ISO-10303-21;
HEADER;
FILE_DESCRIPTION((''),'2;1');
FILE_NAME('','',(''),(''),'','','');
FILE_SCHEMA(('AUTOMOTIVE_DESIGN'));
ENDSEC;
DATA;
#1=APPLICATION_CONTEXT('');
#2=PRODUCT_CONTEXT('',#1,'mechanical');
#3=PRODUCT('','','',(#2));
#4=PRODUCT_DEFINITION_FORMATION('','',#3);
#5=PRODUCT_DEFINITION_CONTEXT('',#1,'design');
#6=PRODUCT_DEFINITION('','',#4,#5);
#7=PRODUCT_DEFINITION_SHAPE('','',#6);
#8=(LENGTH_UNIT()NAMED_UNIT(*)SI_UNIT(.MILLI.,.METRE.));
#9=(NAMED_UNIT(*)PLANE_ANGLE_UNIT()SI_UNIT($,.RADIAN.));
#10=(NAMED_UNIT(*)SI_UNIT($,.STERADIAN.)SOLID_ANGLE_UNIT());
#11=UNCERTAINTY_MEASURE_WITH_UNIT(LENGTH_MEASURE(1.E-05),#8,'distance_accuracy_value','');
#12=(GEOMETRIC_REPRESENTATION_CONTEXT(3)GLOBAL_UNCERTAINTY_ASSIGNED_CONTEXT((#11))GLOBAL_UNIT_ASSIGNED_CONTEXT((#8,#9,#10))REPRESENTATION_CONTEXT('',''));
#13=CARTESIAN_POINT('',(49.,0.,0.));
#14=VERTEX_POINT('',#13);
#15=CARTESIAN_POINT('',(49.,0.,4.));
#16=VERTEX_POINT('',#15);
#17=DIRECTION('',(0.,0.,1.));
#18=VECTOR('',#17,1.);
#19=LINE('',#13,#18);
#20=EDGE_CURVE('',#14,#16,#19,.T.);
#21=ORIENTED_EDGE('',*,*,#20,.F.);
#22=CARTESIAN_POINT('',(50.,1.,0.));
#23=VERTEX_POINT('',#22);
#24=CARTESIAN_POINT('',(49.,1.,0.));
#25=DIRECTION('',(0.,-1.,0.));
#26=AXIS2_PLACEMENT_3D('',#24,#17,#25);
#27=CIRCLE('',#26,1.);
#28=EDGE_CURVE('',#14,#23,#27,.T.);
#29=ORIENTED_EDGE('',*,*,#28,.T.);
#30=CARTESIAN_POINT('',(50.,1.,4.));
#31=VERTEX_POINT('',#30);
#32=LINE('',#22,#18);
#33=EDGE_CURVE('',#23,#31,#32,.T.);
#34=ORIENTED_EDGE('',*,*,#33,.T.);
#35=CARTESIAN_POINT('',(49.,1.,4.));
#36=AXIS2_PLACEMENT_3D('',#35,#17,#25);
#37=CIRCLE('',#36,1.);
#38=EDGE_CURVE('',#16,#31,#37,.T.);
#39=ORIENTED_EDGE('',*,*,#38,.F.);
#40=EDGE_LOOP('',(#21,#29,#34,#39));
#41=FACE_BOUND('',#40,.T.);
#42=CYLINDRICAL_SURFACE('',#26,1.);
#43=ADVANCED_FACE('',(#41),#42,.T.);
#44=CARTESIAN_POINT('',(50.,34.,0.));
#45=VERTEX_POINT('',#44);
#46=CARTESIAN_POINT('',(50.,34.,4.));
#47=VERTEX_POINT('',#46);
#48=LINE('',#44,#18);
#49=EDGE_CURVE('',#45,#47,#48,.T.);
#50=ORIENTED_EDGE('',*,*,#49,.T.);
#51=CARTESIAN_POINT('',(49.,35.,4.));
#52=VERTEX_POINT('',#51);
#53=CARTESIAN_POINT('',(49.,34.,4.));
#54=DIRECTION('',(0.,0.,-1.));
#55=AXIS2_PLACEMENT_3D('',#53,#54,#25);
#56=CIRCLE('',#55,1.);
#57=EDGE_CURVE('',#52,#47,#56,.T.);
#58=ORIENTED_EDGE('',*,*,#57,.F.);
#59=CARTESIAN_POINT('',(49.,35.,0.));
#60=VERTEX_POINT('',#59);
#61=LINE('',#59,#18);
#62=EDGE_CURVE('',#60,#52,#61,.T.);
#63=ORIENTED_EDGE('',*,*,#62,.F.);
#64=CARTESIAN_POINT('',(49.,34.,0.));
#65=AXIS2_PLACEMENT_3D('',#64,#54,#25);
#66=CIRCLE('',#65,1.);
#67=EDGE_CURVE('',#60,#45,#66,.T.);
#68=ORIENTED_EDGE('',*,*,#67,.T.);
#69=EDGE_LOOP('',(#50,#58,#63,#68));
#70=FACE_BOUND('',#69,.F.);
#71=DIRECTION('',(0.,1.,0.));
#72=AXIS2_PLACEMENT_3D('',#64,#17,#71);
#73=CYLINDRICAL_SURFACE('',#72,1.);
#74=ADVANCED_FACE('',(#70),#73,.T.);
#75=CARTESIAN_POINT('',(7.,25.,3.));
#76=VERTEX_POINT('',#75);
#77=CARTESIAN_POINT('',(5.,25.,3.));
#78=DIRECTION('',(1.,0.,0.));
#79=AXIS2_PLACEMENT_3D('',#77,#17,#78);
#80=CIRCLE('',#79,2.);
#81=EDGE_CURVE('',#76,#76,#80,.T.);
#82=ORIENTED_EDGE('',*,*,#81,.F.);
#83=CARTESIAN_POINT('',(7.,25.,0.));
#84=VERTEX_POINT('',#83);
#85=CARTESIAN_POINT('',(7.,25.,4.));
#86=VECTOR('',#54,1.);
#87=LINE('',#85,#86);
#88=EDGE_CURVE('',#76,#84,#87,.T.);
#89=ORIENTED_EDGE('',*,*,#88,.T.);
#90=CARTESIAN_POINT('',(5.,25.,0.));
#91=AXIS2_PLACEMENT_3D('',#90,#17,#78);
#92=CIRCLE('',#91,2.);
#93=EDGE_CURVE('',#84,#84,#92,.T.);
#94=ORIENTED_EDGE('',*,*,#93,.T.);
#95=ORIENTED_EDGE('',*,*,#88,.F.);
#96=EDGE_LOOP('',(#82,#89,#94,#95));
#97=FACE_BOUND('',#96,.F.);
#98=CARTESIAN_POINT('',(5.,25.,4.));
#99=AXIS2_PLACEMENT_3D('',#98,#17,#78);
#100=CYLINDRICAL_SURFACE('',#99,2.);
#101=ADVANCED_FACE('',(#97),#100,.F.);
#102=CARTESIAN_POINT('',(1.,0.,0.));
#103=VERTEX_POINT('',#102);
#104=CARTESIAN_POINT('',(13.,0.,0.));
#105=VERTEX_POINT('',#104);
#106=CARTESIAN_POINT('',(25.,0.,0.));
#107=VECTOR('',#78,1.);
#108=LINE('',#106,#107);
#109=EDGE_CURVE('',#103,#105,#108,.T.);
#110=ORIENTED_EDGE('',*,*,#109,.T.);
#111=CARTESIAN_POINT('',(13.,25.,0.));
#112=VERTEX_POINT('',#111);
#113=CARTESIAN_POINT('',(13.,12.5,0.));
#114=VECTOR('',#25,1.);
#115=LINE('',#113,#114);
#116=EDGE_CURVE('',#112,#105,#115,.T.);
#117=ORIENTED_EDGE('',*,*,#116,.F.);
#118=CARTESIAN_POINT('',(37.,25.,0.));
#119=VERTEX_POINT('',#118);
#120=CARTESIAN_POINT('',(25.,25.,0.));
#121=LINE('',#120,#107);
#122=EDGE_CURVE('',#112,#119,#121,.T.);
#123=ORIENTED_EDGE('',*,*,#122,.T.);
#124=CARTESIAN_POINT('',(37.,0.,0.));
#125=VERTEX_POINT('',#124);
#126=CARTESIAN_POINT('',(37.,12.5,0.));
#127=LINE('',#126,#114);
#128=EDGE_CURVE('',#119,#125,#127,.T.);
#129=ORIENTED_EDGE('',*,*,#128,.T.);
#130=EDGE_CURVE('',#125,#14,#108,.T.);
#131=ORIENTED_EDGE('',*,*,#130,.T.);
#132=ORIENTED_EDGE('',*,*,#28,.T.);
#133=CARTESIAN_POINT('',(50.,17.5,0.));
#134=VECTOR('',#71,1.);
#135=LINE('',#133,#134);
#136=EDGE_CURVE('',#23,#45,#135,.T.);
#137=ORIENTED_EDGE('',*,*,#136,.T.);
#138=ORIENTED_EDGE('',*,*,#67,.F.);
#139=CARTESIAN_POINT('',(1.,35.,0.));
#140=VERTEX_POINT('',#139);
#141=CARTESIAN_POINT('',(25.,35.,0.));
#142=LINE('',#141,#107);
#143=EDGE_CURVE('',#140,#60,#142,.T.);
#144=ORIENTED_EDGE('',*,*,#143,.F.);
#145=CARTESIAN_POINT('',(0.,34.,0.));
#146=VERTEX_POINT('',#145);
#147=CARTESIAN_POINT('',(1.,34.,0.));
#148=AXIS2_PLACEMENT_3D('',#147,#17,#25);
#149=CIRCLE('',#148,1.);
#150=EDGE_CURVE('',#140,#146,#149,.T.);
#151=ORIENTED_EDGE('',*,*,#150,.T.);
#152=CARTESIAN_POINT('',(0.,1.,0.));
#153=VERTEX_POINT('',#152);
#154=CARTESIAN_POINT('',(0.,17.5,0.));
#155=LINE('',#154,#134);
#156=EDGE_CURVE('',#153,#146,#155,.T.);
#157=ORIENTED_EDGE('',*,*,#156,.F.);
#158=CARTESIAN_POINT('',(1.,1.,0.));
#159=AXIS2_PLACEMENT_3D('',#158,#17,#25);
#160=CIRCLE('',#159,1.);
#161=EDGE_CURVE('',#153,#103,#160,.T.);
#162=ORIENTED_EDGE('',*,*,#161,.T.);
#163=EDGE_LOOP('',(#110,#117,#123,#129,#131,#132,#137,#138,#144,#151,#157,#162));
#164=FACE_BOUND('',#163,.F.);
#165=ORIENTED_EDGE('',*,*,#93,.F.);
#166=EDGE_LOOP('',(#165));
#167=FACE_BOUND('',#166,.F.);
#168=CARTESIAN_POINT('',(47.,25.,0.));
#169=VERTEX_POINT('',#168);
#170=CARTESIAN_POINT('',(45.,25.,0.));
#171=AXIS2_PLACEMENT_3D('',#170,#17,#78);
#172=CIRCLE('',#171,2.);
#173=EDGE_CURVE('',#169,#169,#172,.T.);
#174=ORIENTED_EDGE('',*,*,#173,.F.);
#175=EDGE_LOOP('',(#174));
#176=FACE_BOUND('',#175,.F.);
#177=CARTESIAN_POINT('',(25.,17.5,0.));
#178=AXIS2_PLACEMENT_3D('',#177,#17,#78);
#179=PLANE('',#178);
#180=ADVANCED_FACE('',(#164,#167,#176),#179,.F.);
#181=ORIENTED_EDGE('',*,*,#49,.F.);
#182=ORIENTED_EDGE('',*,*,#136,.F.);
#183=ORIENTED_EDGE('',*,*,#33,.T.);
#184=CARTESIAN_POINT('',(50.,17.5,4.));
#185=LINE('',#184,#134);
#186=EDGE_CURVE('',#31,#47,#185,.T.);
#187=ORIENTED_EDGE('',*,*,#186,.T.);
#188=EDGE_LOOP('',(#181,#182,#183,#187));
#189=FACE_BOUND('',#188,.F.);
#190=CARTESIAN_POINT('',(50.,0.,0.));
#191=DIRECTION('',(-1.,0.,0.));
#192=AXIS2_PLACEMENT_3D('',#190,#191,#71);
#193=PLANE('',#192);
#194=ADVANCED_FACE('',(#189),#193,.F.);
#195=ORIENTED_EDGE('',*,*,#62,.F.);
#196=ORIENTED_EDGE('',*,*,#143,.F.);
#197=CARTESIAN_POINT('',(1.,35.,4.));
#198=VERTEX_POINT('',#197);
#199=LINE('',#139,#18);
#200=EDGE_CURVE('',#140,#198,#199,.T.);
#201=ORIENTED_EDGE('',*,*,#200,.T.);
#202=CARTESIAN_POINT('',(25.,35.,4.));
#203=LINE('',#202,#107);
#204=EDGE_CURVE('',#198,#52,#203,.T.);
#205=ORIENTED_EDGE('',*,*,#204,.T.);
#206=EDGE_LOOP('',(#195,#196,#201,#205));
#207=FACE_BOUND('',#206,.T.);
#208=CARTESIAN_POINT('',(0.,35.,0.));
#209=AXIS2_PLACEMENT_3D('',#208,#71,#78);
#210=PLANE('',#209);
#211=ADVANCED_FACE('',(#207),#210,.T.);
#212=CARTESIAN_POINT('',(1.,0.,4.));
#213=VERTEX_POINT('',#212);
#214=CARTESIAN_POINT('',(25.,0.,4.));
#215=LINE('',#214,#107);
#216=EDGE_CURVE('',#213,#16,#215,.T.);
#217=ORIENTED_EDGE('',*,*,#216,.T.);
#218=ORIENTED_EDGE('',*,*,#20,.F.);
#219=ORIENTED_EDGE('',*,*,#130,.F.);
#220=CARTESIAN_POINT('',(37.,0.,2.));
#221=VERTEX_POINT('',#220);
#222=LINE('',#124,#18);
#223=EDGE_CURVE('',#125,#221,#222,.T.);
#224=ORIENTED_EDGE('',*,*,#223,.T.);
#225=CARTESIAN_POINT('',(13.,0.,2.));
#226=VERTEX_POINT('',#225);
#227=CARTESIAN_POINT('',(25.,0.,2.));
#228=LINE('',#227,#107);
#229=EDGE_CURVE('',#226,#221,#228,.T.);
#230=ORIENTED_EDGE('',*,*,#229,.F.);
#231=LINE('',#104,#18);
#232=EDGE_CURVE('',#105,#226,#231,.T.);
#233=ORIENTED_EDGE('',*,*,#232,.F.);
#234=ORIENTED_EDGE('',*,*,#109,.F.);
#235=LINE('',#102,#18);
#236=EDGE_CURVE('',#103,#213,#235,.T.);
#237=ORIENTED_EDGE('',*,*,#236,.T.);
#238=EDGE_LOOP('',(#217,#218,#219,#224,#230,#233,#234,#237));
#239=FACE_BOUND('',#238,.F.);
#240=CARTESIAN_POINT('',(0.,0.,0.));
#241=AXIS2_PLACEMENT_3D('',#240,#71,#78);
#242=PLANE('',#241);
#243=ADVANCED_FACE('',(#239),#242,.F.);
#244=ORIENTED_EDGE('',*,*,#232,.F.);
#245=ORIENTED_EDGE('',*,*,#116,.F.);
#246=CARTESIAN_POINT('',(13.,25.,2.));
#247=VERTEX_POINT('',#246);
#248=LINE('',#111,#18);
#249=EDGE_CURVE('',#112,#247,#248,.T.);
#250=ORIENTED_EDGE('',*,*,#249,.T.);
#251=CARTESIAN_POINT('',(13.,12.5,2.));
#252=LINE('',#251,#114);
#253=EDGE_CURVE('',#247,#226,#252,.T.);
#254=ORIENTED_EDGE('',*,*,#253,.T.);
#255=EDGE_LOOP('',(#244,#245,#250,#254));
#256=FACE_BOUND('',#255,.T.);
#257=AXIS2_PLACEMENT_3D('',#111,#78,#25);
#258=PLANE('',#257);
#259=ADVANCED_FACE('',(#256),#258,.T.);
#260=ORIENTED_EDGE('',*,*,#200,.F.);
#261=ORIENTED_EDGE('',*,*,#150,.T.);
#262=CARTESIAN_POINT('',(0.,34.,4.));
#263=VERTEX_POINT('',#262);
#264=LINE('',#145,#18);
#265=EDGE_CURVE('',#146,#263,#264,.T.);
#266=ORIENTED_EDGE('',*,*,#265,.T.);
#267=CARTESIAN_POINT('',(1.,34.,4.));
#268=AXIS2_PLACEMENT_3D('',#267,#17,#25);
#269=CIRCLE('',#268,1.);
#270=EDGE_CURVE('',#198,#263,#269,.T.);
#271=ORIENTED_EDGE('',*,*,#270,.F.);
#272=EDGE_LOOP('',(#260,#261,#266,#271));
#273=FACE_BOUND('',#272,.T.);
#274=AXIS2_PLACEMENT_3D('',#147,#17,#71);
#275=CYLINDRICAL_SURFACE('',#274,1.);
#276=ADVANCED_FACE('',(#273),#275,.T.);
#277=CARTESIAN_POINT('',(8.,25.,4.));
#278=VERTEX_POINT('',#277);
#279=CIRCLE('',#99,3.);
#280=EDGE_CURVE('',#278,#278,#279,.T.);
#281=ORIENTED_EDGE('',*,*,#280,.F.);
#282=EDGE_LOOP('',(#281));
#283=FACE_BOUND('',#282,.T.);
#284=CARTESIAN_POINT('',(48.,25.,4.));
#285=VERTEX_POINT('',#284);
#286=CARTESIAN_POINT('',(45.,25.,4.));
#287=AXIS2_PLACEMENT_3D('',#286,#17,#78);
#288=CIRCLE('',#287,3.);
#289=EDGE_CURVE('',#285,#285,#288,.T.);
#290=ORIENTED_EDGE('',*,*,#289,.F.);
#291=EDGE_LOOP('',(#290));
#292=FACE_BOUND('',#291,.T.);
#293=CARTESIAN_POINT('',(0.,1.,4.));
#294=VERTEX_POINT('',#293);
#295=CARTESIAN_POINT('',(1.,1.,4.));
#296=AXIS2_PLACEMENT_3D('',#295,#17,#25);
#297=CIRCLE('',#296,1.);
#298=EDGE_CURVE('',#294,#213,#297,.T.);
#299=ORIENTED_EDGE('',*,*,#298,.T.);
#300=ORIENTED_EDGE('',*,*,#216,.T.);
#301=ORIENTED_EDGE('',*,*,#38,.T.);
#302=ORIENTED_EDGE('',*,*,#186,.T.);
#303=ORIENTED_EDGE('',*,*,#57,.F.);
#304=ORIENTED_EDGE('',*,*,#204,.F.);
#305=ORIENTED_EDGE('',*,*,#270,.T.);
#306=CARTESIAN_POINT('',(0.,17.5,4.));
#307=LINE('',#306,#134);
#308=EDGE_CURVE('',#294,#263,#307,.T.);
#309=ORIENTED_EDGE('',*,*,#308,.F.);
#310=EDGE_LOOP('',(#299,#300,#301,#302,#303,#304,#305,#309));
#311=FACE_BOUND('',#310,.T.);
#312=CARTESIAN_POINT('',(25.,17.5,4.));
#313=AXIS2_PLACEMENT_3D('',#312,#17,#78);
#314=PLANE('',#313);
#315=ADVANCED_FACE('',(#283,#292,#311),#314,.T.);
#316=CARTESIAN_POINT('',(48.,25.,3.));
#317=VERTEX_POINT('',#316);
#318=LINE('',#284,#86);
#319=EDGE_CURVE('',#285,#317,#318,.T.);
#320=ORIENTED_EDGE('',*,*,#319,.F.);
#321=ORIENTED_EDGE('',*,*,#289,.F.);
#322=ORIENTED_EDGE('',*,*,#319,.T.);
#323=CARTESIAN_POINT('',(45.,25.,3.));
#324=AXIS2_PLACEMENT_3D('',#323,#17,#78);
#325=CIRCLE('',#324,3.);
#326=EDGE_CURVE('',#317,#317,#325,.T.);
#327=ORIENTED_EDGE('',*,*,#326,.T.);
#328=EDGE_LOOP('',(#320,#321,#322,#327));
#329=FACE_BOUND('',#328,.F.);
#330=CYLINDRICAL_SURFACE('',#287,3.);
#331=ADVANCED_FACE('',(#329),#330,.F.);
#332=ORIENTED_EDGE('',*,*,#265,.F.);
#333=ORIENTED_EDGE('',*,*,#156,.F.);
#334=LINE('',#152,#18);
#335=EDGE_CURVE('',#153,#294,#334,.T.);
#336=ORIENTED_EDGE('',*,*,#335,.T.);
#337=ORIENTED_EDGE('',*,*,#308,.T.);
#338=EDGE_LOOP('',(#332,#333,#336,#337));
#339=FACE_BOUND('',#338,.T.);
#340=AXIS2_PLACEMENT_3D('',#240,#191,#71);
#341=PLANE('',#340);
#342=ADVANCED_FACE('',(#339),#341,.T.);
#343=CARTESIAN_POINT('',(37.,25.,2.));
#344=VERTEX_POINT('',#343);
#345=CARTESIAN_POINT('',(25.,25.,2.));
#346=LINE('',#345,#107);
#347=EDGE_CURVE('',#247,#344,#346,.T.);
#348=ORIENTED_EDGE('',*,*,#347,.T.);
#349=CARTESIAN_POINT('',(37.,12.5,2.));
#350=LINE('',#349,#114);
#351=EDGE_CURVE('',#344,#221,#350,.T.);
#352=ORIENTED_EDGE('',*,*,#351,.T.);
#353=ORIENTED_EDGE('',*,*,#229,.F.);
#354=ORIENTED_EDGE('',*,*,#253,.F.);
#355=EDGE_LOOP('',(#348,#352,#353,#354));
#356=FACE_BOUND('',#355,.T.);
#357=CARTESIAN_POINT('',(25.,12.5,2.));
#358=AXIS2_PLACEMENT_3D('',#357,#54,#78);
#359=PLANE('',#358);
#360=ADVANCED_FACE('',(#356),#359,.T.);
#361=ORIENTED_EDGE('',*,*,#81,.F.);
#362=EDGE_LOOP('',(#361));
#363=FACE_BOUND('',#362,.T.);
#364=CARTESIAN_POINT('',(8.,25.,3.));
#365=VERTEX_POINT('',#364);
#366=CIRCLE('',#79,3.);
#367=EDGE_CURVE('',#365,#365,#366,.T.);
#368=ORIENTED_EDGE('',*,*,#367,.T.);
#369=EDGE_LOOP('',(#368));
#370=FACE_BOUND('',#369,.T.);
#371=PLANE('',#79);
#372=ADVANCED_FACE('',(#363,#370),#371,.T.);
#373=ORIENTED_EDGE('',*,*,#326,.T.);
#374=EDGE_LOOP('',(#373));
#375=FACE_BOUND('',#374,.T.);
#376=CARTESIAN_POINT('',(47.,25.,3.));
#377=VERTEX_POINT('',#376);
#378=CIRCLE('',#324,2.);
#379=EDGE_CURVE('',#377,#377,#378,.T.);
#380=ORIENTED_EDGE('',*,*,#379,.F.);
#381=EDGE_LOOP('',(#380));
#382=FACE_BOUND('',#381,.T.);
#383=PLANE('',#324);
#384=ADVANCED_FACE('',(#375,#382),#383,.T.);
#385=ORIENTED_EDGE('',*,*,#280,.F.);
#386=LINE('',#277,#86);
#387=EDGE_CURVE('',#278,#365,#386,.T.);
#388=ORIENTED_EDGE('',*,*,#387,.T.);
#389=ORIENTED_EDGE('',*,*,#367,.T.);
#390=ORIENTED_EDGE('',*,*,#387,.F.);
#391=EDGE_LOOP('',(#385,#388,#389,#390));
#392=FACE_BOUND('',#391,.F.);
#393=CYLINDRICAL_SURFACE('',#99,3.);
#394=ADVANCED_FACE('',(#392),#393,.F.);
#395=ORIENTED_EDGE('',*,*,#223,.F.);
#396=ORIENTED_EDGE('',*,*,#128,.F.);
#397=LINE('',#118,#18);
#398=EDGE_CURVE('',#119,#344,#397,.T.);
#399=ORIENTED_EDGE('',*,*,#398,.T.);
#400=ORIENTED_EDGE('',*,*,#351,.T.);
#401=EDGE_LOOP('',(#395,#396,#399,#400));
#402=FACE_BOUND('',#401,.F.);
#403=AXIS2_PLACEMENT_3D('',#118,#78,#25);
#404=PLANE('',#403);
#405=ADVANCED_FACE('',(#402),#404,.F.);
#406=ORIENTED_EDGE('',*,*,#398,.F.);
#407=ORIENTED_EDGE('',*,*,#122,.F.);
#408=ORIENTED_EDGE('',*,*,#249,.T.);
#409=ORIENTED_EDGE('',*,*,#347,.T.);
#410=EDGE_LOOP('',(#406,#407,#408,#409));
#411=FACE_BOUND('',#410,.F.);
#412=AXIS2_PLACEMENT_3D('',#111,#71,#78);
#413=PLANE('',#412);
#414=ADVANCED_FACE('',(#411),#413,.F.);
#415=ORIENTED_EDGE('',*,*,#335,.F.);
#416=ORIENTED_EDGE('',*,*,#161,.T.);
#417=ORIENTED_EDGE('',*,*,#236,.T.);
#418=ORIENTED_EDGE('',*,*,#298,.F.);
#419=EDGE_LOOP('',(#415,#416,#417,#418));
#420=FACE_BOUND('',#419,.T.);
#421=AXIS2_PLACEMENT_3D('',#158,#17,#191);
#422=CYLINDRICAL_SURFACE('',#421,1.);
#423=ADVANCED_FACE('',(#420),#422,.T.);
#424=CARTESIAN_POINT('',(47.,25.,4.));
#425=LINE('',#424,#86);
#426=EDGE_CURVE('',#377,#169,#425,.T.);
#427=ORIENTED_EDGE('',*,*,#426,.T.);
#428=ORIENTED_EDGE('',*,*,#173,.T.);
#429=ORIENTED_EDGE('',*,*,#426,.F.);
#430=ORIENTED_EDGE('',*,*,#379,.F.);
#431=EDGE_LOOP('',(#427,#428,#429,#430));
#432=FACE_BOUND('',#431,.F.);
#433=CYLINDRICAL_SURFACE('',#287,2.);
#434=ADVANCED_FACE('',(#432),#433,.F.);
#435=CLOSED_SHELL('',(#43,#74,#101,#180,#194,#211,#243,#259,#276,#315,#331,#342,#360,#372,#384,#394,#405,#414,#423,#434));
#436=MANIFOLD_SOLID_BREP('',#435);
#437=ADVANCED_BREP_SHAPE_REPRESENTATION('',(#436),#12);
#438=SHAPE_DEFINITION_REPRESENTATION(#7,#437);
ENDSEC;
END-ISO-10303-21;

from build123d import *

# Parameters (mm, degrees)
SKETCH_W        = 50
SKETCH_H        = 35
PAD_DEPTH       = 4
SKETCH001_R     = 3
POCKET_DEPTH    = 1
SKETCH002_R     = 2
POCKET001_DEPTH = 5
SKETCH003_W     = 24
SKETCH003_H     = 25
POCKET002_DEPTH = 2
FILLET_R        = 1
FILLET001_R     = 1
FILLET002_R     = 1
FILLET003_R     = 1


with BuildPart() as part:
    # Sketch → Pad (new body)
    with BuildSketch(Plane.XY):
        with Locations((25, 17.5)):
            Rectangle(SKETCH_W, SKETCH_H)
    extrude(amount=PAD_DEPTH)

    # Sketch001 → Pocket (cut)
    with BuildSketch(Plane.XY.offset(4)):
        with Locations((45, 25)):
            Circle(SKETCH001_R)
        with Locations((5, 25)):
            Circle(SKETCH001_R)
    extrude(amount=-POCKET_DEPTH, mode=Mode.SUBTRACT)

    # Sketch002 → Pocket001 (cut)
    with BuildSketch(Plane.XY.offset(4)):
        with Locations((5, 25)):
            Circle(SKETCH002_R)
        with Locations((45, 25)):
            Circle(SKETCH002_R)
    extrude(amount=-POCKET001_DEPTH, mode=Mode.SUBTRACT)

    # Sketch003 → Pocket002 (cut)
    with BuildSketch(Plane(origin=(0, 0, 0), x_dir=(1, 0, 0), z_dir=(0, 0, -1))):
        with Locations((25, -12.5)):
            Rectangle(SKETCH003_W, SKETCH003_H)
    extrude(amount=-POCKET002_DEPTH, mode=Mode.SUBTRACT)

    # Fillet
    fillet_edges = [part.edges().sort_by_distance(p)[0] for p in [
        (50, 35, 2),
    ]]
    fillet(fillet_edges, radius=FILLET_R)

    # Fillet001
    fillet001_edges = [part.edges().sort_by_distance(p)[0] for p in [
        (0, 35, 2),
    ]]
    fillet(fillet001_edges, radius=FILLET001_R)

    # Fillet002
    fillet002_edges = [part.edges().sort_by_distance(p)[0] for p in [
        (0, 0, 2),
    ]]
    fillet(fillet002_edges, radius=FILLET002_R)

    # Fillet003
    fillet003_edges = [part.edges().sort_by_distance(p)[0] for p in [
        (50, 0, 2),
    ]]
    fillet(fillet003_edges, radius=FILLET003_R)


solid = part.part
